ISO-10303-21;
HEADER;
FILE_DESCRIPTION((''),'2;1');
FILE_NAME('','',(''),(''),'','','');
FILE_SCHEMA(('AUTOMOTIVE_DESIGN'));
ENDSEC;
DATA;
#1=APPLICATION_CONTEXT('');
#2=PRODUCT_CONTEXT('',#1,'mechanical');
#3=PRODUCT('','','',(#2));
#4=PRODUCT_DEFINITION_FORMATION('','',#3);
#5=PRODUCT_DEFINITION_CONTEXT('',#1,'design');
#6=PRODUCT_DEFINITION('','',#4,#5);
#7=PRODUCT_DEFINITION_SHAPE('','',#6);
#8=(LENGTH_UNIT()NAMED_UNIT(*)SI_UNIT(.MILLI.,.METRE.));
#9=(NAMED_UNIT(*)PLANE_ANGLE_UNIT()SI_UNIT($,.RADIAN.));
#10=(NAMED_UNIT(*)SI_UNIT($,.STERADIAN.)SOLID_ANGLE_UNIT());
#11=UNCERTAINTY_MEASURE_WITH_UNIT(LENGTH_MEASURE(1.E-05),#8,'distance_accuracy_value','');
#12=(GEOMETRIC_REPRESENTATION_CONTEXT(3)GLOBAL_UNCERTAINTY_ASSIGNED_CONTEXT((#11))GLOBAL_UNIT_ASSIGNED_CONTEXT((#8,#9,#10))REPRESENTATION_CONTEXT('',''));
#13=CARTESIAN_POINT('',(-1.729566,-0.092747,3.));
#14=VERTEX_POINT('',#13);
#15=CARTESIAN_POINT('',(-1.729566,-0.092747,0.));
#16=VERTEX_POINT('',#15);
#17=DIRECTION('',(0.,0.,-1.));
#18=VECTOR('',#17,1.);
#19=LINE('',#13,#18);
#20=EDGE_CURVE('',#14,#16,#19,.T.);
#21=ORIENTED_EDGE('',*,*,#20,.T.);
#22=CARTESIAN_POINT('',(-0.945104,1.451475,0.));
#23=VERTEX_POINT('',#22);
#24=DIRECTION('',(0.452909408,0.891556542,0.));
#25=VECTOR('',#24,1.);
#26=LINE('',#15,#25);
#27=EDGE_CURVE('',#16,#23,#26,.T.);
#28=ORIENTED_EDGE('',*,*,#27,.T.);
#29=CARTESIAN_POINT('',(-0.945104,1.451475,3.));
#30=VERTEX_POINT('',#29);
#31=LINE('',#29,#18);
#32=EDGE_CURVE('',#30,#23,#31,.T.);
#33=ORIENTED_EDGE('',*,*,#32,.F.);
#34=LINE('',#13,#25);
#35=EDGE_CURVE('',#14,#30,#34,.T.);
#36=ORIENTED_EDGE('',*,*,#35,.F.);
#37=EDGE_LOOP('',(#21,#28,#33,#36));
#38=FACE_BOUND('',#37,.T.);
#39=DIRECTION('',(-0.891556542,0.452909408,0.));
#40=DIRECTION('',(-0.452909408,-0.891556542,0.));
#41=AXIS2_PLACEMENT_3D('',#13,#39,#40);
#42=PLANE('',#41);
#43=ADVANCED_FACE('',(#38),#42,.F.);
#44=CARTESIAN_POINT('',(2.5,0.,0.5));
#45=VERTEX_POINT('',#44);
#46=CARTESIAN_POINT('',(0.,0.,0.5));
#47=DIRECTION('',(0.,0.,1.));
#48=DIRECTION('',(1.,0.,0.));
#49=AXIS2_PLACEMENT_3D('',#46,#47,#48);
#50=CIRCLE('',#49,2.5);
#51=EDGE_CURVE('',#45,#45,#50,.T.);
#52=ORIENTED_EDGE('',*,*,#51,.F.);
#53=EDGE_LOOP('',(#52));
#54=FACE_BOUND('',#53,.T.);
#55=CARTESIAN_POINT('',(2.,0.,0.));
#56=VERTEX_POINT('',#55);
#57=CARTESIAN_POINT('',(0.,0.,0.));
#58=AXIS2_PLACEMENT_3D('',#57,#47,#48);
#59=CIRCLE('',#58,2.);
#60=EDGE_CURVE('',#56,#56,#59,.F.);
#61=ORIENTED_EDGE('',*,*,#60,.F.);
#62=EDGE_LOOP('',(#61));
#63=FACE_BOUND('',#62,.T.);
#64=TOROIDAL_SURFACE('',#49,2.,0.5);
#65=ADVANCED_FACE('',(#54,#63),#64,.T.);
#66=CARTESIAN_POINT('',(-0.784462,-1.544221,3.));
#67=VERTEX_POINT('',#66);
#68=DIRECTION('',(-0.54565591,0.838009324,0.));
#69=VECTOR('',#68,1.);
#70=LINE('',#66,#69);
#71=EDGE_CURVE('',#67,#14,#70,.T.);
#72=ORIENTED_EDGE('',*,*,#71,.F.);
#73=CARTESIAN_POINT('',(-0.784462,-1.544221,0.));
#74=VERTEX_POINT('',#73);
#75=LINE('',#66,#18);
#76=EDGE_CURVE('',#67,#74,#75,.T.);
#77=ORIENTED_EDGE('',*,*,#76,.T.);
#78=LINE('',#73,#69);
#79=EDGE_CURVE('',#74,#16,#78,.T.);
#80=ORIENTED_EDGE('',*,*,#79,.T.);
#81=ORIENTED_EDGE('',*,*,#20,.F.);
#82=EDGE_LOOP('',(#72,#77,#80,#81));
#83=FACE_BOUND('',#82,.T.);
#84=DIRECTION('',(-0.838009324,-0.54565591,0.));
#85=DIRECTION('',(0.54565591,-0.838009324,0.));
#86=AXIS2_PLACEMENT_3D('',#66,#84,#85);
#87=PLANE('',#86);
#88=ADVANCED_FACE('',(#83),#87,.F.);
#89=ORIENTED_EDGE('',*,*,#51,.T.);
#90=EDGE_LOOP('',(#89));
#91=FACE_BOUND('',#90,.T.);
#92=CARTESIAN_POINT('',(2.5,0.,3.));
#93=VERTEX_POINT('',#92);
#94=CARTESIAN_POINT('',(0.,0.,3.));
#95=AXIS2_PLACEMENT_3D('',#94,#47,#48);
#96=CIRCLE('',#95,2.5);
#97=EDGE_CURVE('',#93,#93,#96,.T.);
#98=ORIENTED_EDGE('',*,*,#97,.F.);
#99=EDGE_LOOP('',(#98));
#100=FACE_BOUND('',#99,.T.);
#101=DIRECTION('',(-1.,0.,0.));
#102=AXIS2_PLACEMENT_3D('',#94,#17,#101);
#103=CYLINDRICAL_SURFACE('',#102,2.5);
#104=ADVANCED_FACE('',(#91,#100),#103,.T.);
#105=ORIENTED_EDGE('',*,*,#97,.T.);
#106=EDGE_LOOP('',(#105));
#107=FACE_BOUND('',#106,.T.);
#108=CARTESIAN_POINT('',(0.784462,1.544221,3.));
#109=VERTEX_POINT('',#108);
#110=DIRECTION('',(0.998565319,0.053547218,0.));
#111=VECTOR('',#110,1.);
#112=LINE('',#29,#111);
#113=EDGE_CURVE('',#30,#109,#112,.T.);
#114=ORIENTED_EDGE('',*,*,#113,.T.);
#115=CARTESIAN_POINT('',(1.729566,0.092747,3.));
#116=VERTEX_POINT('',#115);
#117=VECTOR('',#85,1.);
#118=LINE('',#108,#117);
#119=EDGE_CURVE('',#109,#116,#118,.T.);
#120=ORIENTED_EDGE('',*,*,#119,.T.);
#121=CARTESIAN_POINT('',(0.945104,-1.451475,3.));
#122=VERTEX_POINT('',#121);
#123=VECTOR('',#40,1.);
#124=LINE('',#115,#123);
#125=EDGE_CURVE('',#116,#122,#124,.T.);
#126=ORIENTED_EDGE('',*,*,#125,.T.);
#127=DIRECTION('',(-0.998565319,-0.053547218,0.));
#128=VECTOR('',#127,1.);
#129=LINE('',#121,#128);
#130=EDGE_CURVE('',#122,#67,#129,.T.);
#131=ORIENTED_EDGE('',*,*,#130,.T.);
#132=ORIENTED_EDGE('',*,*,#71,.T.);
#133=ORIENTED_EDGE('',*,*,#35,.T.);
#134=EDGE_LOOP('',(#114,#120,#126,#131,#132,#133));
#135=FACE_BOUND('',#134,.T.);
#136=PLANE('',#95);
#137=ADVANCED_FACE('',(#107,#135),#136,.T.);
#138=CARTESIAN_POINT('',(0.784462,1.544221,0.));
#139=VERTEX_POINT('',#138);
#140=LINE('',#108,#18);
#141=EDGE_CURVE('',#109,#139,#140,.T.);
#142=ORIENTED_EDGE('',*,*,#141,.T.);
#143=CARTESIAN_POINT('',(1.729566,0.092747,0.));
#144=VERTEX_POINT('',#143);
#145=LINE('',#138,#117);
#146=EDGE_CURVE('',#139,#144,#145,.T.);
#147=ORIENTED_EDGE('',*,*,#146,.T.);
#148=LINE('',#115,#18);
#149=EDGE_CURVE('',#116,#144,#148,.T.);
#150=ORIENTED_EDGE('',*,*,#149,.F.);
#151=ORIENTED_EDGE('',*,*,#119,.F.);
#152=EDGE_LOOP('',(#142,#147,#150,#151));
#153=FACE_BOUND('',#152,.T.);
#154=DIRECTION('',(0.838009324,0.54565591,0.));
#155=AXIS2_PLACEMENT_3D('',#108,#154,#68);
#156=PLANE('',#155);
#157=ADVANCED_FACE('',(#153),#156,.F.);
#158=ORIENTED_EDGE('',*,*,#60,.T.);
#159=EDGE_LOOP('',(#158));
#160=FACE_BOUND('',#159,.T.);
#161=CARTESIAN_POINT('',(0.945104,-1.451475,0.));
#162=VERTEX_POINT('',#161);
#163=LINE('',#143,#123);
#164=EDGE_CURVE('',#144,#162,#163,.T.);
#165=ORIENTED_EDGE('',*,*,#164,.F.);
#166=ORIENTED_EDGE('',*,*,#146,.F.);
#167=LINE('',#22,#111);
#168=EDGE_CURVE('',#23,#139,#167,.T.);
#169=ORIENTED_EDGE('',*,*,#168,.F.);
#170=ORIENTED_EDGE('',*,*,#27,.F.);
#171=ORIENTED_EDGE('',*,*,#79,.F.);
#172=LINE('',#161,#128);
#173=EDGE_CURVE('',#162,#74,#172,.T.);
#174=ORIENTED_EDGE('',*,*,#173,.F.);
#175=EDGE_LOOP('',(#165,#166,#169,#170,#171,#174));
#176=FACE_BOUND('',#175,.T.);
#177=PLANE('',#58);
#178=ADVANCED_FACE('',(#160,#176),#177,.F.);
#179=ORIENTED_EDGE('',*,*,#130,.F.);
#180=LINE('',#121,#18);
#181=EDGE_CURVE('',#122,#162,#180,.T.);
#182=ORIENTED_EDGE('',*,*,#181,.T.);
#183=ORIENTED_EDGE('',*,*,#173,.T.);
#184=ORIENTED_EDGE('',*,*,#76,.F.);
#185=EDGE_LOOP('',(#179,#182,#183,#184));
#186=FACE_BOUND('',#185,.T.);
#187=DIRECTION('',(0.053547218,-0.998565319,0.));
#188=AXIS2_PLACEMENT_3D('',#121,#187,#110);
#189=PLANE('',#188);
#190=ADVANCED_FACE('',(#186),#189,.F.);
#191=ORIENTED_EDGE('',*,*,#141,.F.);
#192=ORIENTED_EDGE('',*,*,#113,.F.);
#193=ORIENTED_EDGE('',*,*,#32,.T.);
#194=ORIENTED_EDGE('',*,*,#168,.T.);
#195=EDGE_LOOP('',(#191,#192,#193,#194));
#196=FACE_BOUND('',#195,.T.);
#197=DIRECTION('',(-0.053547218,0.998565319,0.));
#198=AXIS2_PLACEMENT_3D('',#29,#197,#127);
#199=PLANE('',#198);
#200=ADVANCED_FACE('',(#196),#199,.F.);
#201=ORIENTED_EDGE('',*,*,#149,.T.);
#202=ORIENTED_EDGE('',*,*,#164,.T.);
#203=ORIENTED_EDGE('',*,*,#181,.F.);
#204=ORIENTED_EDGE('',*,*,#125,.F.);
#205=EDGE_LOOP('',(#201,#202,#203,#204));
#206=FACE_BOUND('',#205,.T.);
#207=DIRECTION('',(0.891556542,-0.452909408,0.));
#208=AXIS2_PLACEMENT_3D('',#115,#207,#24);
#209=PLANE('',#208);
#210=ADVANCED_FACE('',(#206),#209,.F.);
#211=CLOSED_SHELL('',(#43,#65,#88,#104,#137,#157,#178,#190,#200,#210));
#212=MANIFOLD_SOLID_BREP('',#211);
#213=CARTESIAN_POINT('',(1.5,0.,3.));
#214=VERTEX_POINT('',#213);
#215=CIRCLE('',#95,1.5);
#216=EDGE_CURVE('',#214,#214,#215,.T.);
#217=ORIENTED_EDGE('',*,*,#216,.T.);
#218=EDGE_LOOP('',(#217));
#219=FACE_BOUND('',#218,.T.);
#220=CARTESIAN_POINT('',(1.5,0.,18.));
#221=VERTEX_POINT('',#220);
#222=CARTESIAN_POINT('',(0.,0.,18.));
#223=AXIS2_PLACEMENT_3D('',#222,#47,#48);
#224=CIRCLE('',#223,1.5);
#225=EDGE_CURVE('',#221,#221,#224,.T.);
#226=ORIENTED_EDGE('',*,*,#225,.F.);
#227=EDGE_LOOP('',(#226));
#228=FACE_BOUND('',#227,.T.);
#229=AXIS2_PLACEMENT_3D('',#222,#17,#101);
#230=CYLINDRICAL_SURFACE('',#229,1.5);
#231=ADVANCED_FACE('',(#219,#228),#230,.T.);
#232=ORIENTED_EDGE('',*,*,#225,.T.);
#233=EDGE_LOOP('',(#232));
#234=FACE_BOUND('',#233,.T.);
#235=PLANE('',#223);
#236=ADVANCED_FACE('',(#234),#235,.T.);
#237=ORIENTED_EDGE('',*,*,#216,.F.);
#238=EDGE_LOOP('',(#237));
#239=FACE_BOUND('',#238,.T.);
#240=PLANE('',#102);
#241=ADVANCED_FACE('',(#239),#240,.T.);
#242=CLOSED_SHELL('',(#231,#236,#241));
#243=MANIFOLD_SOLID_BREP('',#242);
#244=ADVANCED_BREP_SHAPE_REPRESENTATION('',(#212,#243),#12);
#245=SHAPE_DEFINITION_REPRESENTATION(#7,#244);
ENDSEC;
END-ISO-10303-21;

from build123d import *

# Parameters (mm, degrees)
SKETCH1_R           = 2.5
BOSS_EXTRUDE1_DEPTH = 3
SKETCH2_R           = 1.5
BOSS_EXTRUDE2_DEPTH = 15
CUT_EXTRUDE1_DEPTH  = 3
FILLET1_R           = 0.5


with BuildPart() as part:
    # Sketch1 → Boss-Extrude1 (new body)
    with BuildSketch(Plane.XY):
        Circle(SKETCH1_R)
    extrude(amount=BOSS_EXTRUDE1_DEPTH)

    # Sketch2 → Boss-Extrude2 (add)
    with BuildSketch(Plane.XY.offset(3)):
        Circle(SKETCH2_R)
    extrude(amount=BOSS_EXTRUDE2_DEPTH)

    # Sketch3 → Cut-Extrude1 (cut)
    with BuildSketch(Plane(origin=(0, 0, 0), x_dir=(-1, 0, 0), z_dir=(0, 0, -1))):
        Polygon((0.784462107, -1.544221229), (1.729565866, -0.092746502), (0.94510376, 1.451474727), (-0.784462107, 1.544221229), (-1.729565866, 0.092746502), (-0.94510376, -1.451474727), align=None)
    extrude(amount=-CUT_EXTRUDE1_DEPTH, mode=Mode.SUBTRACT)

    # Fillet1
    fillet1_edges = [part.edges().sort_by_distance(p)[0] for p in [
        (-2.5, 0, 0),
    ]]
    fillet(fillet1_edges, radius=FILLET1_R)


solid = part.part
